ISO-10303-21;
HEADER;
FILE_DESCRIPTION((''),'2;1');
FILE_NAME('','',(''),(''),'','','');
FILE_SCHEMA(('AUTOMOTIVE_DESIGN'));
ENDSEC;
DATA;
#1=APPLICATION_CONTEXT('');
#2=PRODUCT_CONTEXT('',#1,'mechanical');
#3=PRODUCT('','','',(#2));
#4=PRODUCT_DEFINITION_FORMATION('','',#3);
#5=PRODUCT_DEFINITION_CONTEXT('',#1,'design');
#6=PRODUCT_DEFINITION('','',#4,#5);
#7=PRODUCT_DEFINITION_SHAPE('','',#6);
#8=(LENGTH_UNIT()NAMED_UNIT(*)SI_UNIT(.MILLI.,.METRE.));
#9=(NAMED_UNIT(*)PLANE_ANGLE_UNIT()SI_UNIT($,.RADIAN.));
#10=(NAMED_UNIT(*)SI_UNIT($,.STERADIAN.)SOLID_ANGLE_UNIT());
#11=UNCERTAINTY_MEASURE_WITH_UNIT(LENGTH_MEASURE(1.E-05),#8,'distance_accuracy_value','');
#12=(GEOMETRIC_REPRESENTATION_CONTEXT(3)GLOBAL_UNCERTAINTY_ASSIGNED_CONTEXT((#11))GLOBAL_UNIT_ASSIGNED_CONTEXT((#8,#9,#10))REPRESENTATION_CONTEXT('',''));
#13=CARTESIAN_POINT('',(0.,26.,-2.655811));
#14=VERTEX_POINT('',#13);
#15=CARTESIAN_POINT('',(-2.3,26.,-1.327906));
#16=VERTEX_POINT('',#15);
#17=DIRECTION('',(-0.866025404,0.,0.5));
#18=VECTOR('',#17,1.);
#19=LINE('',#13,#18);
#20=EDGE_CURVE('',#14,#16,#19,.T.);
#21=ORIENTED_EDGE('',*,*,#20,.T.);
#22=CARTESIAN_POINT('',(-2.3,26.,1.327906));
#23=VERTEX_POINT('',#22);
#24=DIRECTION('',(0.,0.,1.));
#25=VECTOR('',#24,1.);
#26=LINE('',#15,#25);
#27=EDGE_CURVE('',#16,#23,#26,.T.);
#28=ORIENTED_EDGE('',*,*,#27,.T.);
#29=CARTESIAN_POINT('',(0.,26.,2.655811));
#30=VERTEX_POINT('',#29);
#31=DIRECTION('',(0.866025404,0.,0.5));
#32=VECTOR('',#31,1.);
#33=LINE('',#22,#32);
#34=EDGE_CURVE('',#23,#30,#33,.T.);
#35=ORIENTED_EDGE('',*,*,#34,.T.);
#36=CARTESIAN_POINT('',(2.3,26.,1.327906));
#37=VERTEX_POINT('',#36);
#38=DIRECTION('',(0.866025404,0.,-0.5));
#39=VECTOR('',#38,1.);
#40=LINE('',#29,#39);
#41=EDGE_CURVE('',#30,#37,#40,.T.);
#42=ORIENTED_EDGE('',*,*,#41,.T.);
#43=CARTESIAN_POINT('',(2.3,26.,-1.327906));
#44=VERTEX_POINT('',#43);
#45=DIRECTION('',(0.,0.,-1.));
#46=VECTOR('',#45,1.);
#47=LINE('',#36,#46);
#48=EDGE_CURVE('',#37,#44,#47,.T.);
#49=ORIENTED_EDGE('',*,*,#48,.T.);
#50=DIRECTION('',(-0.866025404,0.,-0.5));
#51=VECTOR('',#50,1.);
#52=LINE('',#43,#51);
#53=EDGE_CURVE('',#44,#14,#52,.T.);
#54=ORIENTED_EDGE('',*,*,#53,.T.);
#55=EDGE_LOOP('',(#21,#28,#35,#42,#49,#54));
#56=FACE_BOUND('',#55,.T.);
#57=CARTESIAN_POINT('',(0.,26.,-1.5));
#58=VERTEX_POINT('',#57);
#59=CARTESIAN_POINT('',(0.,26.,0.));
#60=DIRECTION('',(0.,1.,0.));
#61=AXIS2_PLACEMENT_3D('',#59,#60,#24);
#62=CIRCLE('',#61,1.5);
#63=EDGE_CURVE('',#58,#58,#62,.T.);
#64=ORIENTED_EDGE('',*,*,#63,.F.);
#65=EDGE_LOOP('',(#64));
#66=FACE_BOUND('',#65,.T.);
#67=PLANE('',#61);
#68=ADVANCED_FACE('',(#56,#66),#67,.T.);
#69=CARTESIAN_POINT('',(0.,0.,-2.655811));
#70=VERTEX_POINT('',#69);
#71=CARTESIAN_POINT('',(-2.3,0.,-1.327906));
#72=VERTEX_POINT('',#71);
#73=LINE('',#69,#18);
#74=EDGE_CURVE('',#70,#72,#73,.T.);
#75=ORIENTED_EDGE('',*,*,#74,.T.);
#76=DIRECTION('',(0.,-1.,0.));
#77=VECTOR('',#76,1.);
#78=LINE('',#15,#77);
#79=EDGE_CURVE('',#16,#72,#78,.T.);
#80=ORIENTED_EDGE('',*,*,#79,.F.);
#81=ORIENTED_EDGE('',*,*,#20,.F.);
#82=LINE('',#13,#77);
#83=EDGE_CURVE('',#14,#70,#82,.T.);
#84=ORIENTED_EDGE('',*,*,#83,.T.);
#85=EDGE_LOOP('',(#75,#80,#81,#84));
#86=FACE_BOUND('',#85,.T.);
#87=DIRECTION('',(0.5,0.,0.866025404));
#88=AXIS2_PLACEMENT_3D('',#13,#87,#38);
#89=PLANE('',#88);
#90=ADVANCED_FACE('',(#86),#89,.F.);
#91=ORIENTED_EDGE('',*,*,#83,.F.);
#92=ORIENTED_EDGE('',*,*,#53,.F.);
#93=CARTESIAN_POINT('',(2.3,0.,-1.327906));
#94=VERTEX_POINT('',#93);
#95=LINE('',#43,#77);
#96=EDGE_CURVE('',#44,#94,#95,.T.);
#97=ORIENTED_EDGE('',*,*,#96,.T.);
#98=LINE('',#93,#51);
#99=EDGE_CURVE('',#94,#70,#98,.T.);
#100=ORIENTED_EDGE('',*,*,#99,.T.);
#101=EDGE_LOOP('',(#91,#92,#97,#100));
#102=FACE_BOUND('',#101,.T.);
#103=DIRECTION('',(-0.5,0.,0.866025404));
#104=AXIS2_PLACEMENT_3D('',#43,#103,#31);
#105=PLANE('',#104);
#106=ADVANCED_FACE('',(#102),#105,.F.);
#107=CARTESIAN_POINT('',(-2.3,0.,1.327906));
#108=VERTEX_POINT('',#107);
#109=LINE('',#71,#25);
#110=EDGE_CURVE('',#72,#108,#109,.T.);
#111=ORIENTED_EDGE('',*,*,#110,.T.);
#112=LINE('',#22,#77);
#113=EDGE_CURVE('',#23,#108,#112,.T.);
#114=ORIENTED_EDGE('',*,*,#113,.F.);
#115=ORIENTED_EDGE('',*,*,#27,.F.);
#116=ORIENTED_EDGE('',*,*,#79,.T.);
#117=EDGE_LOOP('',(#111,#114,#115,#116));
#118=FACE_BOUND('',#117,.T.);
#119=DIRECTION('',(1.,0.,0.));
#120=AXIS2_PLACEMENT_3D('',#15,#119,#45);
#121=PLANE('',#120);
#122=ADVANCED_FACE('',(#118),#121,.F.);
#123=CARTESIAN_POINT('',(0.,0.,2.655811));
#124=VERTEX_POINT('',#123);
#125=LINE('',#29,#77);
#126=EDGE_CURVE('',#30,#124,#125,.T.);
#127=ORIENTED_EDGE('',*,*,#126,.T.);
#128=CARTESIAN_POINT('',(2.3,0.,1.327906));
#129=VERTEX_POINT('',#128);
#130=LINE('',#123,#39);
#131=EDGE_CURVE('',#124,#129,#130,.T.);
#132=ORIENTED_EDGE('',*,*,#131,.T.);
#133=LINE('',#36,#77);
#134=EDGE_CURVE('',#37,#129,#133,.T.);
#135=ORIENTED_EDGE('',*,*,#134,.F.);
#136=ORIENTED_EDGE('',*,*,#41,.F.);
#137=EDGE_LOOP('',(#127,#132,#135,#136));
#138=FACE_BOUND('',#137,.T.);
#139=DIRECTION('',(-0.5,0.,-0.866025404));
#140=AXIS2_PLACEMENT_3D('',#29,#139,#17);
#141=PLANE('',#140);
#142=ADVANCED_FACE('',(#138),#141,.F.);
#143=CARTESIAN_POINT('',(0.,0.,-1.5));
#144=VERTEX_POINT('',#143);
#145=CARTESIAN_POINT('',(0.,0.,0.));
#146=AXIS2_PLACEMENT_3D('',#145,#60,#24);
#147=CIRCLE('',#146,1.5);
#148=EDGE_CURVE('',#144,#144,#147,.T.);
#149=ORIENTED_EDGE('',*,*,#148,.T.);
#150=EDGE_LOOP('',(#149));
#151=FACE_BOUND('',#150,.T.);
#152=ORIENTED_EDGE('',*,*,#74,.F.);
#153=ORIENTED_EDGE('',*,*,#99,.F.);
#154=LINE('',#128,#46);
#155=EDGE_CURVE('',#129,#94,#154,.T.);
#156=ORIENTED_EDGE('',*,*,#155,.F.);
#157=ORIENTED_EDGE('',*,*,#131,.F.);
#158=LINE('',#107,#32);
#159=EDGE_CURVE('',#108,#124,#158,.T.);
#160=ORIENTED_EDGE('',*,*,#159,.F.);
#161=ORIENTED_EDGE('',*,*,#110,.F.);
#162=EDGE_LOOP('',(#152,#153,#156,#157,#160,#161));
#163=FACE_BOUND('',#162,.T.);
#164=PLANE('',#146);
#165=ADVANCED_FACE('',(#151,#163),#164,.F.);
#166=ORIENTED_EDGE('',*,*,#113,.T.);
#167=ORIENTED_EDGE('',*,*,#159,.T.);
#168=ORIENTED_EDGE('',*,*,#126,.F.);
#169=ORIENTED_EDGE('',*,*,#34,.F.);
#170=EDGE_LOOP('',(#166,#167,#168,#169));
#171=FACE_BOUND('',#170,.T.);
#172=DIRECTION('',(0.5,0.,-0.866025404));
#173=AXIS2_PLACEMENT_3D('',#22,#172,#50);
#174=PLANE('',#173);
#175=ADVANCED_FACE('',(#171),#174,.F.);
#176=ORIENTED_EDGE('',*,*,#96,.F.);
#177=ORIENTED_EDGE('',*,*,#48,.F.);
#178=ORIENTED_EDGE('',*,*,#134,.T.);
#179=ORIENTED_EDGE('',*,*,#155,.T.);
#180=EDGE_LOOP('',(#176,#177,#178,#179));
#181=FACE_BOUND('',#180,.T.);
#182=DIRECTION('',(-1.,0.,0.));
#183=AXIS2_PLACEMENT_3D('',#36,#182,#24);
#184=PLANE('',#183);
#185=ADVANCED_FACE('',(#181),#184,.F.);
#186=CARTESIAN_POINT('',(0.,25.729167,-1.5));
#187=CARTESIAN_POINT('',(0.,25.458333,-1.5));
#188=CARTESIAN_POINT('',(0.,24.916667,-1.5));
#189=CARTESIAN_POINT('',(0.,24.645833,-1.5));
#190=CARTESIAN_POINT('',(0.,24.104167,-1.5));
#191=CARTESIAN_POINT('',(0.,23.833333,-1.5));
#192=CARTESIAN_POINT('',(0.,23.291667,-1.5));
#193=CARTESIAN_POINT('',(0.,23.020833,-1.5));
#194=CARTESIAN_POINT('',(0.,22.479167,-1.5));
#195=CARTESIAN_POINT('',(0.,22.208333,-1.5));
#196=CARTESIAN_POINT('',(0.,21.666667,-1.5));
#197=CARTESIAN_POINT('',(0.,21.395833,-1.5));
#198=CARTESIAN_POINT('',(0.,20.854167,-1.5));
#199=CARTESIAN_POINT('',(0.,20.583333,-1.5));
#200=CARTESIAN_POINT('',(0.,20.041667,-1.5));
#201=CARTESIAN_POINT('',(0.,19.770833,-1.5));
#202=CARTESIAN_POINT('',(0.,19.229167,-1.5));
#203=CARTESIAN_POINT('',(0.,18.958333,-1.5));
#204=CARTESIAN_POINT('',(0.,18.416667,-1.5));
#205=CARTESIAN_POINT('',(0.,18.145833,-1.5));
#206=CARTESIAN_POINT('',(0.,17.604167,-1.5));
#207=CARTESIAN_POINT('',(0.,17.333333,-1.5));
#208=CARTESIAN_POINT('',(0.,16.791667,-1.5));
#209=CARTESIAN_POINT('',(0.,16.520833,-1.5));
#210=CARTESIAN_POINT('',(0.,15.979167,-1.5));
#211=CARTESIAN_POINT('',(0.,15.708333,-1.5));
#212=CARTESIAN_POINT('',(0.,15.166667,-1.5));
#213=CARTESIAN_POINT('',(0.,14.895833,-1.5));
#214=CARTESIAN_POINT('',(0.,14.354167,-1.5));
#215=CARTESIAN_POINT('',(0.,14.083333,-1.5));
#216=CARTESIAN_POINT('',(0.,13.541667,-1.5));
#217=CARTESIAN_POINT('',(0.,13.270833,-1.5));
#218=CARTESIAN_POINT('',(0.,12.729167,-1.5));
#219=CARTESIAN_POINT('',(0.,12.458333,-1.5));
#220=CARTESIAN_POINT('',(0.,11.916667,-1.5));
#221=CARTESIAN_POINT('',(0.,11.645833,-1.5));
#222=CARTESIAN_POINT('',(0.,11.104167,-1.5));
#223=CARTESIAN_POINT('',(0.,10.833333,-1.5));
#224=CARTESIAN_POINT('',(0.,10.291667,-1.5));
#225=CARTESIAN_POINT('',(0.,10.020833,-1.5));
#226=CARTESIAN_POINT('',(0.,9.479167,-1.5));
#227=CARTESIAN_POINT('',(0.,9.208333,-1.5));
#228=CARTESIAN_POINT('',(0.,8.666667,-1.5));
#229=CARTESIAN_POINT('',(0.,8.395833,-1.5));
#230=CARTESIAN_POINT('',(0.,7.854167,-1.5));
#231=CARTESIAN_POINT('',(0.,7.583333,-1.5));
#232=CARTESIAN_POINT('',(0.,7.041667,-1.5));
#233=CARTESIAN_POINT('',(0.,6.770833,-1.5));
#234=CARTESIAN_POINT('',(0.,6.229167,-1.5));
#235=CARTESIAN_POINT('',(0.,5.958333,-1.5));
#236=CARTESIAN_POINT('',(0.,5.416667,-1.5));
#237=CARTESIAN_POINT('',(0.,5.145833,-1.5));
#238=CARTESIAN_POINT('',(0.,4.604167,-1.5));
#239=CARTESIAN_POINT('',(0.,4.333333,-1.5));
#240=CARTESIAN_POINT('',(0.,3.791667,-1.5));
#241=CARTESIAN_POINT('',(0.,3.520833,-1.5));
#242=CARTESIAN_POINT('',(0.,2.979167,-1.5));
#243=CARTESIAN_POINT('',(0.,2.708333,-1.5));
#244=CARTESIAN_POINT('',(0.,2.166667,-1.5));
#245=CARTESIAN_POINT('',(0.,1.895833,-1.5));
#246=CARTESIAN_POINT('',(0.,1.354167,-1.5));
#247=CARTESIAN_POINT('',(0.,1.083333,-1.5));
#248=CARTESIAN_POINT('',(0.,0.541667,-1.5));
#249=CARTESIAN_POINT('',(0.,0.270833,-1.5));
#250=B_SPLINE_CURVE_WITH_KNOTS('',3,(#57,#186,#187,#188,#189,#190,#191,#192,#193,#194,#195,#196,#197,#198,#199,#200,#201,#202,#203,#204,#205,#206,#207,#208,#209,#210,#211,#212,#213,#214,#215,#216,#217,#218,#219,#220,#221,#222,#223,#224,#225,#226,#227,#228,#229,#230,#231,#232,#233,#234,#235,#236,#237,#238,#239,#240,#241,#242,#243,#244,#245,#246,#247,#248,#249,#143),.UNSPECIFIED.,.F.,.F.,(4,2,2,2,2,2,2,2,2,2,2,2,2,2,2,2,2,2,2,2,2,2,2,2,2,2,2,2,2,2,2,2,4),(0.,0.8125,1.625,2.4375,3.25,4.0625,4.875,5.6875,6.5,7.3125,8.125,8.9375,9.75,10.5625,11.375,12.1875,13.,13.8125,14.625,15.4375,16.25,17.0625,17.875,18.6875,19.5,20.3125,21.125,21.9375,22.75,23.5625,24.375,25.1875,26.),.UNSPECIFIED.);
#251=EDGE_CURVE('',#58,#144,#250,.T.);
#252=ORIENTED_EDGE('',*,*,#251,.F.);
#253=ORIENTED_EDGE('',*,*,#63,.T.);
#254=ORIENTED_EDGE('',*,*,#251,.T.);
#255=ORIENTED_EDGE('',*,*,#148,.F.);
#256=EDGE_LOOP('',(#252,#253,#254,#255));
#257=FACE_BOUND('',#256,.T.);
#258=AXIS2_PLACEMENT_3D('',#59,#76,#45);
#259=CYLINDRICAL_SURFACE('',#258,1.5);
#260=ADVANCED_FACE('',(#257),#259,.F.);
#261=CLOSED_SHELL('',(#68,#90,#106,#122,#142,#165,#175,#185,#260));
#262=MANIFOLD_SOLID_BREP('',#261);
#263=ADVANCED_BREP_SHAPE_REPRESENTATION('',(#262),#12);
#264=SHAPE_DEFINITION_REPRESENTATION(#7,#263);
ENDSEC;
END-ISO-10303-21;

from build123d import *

# Parameters (mm, degrees)
SKETCH_1_R      = 1.5
EXTRUDE_1_DEPTH = 26


with BuildPart() as part:
    # 草图1 → 凸台-拉伸1 (new body)
    with BuildSketch(Plane(origin=(0, 0, 0), x_dir=(1, 0, 0), z_dir=(0, 1, 0))):
        Polygon((0, 2.655811238), (-2.3, 1.327905619), (-2.3, -1.327905619), (0, -2.655811238), (2.3, -1.327905619), (2.3, 1.327905619), align=None)
        with Locations(Location((0, 0, 0), (0, 0, 90))):
            Circle(SKETCH_1_R, mode=Mode.SUBTRACT)
    extrude(amount=EXTRUDE_1_DEPTH)


solid = part.part
